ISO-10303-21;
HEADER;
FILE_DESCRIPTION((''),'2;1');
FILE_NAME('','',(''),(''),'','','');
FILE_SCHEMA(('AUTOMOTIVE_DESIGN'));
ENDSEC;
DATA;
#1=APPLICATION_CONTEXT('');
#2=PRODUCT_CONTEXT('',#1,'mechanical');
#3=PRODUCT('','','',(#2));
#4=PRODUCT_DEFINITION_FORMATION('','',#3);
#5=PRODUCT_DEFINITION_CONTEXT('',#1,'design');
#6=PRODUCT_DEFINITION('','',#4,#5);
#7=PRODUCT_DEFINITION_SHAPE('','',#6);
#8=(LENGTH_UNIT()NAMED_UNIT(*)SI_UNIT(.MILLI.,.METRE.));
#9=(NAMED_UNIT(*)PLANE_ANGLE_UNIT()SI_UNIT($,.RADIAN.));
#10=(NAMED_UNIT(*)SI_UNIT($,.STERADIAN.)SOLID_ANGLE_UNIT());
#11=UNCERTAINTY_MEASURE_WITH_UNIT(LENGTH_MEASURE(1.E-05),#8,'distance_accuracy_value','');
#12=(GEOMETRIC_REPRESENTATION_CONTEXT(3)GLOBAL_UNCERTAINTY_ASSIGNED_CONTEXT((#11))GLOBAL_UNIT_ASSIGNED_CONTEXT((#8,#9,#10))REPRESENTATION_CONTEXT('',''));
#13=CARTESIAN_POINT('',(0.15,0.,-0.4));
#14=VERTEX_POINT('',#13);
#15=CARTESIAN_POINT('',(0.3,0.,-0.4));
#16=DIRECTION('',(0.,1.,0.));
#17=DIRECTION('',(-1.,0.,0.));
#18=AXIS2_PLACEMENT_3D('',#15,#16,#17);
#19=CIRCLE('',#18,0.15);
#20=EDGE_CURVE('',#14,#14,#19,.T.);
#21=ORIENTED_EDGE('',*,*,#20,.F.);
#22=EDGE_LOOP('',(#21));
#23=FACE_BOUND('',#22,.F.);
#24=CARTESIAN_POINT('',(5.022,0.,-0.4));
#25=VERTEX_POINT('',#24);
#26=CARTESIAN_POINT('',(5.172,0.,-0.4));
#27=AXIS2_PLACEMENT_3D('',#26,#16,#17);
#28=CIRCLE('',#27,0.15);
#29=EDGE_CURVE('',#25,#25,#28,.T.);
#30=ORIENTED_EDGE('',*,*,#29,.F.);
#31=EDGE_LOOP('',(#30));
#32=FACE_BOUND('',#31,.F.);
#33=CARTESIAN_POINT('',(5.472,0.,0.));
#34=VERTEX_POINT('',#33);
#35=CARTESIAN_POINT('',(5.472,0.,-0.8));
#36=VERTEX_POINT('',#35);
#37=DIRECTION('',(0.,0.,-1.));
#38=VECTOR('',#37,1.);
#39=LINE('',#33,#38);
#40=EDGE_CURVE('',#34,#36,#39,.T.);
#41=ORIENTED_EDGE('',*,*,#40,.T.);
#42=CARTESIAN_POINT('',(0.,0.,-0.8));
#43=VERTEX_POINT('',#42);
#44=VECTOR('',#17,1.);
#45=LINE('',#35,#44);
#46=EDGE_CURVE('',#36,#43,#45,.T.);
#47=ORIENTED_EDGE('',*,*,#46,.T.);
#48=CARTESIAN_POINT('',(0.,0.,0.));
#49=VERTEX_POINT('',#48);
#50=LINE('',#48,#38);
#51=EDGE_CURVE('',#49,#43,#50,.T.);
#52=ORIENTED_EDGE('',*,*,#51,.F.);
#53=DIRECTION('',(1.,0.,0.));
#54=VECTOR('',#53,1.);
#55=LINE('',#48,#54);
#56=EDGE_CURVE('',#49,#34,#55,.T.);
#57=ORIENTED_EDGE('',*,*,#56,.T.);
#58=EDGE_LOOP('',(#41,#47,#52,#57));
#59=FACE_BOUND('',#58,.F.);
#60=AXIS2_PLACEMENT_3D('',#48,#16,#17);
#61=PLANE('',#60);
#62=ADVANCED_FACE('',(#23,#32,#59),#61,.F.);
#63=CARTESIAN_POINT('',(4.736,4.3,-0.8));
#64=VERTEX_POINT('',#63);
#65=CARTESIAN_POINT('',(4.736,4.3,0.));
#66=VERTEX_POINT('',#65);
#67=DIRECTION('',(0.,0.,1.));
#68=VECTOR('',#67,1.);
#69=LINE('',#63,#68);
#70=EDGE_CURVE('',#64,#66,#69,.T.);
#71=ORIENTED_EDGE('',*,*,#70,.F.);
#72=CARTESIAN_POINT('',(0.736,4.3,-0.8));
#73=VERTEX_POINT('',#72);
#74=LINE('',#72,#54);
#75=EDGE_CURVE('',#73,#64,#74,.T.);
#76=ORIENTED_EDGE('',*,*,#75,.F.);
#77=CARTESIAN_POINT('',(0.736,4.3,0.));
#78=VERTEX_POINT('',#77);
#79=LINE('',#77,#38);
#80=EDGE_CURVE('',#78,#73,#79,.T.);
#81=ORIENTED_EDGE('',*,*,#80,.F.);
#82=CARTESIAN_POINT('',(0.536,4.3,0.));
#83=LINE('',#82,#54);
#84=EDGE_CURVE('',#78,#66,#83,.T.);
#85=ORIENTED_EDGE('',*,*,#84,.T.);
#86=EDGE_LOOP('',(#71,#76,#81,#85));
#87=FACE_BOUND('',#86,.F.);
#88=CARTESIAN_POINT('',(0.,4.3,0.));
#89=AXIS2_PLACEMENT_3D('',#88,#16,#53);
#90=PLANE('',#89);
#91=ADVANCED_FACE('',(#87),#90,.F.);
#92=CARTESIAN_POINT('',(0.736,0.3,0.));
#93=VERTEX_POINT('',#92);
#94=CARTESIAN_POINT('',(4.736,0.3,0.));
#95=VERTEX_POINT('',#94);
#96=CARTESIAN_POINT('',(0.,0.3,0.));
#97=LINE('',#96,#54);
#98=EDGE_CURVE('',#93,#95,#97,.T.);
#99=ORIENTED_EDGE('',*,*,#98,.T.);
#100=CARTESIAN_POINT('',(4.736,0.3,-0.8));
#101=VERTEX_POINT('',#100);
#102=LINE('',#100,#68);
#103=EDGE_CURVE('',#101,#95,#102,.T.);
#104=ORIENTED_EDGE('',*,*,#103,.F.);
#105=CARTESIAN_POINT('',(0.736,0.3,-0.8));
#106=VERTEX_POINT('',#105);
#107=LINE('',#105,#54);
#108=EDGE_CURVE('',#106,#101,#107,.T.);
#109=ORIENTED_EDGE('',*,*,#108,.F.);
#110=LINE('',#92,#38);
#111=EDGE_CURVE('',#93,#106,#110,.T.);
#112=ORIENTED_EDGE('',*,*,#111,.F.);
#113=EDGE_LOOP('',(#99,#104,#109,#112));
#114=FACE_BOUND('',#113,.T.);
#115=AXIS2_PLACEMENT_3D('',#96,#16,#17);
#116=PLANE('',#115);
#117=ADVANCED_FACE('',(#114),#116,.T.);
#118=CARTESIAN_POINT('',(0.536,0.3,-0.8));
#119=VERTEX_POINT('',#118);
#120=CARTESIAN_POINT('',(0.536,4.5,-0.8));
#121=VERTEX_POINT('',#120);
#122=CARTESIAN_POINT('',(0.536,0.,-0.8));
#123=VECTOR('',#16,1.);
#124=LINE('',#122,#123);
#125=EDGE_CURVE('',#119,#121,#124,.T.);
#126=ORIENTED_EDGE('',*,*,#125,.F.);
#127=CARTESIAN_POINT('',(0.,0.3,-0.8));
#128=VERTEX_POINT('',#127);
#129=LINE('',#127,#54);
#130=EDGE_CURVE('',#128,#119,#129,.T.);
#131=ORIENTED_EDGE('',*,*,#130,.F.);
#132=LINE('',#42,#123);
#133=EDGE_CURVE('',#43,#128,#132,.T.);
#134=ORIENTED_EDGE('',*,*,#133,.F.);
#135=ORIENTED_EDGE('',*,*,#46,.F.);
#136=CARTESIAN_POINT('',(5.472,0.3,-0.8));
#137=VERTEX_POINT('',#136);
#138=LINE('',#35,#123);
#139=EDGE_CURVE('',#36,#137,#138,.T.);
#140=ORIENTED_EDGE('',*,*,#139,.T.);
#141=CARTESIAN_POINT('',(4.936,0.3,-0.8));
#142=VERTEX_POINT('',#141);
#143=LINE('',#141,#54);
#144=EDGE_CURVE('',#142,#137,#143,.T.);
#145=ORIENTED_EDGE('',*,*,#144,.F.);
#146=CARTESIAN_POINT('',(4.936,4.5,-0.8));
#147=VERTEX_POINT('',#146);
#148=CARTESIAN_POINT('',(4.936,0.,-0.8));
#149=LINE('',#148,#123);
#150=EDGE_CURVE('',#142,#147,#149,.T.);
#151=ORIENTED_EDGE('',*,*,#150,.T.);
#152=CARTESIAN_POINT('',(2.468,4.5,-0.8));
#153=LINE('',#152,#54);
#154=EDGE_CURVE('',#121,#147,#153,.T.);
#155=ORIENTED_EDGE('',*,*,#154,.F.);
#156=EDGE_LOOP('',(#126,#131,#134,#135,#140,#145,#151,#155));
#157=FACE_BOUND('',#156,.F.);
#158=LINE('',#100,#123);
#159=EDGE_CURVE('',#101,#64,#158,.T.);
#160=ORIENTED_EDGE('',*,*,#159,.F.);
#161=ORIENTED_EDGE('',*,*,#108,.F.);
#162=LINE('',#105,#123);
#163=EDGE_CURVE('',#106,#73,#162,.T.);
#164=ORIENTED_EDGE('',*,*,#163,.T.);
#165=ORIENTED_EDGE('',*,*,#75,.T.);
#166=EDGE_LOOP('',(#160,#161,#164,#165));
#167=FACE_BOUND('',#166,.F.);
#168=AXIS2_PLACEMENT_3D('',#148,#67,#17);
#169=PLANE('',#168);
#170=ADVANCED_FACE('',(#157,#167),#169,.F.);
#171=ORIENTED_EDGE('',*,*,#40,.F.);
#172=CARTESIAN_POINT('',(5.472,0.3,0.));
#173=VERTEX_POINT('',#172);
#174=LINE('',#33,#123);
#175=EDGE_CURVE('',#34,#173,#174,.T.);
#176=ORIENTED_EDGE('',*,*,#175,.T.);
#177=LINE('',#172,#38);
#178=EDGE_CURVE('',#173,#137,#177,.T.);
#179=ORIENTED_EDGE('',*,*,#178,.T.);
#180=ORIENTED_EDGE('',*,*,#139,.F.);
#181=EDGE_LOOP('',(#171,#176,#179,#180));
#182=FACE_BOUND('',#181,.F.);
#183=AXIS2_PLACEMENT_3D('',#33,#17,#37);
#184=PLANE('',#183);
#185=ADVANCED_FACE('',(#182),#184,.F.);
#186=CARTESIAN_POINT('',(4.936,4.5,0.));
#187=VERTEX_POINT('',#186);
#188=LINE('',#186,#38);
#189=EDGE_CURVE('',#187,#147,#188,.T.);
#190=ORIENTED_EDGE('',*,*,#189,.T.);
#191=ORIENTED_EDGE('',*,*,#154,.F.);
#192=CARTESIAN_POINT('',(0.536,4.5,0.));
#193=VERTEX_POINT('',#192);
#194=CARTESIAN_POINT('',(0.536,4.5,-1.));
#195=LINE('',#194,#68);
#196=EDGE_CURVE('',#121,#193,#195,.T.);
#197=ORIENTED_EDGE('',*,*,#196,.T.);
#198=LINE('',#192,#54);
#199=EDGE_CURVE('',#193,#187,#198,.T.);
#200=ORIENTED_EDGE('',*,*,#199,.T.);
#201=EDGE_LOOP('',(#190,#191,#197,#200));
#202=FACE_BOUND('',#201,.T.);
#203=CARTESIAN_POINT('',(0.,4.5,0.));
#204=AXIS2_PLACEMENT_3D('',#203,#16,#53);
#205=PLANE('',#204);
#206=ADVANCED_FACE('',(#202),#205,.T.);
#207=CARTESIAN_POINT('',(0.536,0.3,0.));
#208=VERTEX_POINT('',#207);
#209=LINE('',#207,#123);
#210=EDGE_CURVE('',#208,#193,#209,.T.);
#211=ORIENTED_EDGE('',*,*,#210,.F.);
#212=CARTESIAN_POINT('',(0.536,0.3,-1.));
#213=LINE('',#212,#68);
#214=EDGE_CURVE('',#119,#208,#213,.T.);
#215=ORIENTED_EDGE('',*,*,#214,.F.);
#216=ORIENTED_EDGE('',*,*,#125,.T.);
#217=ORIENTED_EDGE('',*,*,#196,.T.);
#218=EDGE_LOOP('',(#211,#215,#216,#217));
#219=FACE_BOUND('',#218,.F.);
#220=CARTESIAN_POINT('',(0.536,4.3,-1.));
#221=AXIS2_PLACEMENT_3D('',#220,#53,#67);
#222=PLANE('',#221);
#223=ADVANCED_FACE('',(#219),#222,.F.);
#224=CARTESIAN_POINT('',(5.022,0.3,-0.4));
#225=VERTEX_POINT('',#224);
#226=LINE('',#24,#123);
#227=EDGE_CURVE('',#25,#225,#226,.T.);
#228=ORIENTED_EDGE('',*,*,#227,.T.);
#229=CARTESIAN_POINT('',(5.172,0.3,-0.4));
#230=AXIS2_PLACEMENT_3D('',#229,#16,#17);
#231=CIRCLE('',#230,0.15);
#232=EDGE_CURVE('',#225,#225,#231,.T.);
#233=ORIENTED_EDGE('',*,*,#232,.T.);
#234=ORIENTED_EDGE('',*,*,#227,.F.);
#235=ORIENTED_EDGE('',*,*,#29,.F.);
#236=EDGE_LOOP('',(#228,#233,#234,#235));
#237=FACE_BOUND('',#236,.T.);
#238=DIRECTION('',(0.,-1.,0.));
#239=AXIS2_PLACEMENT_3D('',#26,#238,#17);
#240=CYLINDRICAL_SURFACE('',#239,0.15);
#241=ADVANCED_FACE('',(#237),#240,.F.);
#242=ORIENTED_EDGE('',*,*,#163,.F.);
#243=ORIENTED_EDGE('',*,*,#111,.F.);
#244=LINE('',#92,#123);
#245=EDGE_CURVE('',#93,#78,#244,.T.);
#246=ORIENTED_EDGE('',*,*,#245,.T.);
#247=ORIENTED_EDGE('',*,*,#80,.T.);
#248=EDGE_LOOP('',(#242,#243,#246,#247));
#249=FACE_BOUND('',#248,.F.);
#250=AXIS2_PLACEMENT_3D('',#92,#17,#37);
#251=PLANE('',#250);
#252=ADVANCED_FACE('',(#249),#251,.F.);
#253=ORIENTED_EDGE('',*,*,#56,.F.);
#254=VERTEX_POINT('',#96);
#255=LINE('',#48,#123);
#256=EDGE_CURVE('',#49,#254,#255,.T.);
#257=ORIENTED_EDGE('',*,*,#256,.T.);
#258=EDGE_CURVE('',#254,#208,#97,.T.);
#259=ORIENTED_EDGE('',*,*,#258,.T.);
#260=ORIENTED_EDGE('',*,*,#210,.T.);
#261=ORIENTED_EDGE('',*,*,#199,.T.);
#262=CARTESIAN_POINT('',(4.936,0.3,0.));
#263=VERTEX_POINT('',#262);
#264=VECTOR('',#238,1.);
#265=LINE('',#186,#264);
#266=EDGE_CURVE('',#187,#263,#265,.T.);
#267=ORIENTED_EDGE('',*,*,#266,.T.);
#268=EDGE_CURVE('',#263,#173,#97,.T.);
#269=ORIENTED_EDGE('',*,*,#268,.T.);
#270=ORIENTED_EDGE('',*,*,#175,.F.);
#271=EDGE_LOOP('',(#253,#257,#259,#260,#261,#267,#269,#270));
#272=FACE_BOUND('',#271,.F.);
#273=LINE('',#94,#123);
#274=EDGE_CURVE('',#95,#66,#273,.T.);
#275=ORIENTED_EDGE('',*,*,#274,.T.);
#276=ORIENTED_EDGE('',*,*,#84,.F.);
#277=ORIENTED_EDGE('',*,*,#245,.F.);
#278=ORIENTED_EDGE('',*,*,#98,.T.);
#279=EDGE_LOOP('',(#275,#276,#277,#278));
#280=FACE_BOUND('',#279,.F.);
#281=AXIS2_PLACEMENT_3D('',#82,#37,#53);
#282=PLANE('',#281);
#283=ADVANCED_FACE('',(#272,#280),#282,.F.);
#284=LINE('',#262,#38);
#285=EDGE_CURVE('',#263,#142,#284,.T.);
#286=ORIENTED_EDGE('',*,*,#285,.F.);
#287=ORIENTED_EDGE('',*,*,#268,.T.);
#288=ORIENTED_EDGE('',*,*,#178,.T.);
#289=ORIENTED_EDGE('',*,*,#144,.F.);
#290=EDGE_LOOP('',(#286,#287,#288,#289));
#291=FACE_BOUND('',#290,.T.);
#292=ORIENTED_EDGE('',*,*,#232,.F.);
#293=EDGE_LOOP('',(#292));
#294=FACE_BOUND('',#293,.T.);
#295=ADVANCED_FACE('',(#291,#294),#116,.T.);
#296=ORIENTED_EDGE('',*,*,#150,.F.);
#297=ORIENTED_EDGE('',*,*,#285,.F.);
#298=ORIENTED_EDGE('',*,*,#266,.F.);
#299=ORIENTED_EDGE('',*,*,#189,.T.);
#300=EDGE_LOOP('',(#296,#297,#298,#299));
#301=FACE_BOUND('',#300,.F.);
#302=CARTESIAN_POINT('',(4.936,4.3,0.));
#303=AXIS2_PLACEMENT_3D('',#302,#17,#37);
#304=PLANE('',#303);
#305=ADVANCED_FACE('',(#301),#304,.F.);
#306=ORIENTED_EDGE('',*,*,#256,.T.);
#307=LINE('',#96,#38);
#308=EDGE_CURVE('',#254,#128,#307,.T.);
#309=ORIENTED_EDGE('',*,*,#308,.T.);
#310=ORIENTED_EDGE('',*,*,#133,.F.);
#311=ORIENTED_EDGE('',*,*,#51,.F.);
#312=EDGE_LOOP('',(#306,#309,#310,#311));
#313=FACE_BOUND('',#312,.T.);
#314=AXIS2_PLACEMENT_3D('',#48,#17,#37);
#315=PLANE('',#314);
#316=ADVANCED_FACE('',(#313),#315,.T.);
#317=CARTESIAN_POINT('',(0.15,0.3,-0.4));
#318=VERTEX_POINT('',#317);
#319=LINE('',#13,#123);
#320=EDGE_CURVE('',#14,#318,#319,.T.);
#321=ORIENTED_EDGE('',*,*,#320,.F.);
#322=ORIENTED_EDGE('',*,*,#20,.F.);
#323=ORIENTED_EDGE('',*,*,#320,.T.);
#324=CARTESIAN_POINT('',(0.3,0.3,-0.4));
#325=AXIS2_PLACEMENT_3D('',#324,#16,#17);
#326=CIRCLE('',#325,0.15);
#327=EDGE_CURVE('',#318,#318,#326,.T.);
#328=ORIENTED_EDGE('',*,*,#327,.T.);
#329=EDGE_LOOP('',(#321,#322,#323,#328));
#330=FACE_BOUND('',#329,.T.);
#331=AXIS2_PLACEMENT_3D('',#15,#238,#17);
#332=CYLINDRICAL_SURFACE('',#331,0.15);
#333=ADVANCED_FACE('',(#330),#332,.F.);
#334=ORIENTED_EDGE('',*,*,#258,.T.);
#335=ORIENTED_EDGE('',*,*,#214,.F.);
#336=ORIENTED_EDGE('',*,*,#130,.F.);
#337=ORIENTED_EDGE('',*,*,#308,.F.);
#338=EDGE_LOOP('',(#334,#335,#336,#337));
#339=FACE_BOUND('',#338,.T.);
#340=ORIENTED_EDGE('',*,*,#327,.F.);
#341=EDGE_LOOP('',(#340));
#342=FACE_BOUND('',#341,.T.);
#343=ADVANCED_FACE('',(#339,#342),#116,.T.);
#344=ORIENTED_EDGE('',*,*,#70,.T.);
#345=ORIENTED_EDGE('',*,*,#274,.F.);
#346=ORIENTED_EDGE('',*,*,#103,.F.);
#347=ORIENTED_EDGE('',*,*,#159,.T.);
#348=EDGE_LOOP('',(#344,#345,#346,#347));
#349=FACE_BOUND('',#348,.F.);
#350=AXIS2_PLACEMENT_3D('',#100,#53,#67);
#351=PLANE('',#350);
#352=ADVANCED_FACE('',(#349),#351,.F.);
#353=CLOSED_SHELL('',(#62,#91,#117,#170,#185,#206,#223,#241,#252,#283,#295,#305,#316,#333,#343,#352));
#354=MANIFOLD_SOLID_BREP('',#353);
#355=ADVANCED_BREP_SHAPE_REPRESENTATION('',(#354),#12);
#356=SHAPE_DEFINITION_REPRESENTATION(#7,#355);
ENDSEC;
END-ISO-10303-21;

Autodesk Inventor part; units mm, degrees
ref_plane "YZ Plane" through (0, 0, 0) normal (1, 0, 0) x (0, 1, 0)
ref_plane "XZ Plane" through (0, 0, 0) normal (0, 1, 0) x (-1, 0, 0)
ref_plane "XY Plane" through (0, 0, 0) normal (0, 0, 1) x (1, 0, 0)
sketch "Boceto1" plane through (0, 0, 0) normal (0, 1, 0) x (-1, 0, 0)
  circle A0 centre (-5.172, -0.4) radius 0.15
  circle A1 centre (-0.3, -0.4) radius 0.15
  line L0 (-5.472, 0) -> (-5.472, -0.8)
  line L1 (0, 0) -> (0, -0.8)
  line L2 (0, 0) -> (-5.472, 0)
  line L3 (-4.736, -0.8) -> (-4.936, -0.8)
  line L4 (-4.736, 0) -> (-4.936, 0)
  line L5 (-4.936, -0.8) -> (-4.936, -1)
  line L6 (-4.936, -1) -> (-0.536, -1)
  line L7 (-0.536, -1) -> (-0.536, -0.8)
  line L8 (0, -0.8) -> (-0.536, -0.8)
  line L9 (-4.936, -0.8) -> (-5.472, -0.8)
  dimension "d1" = 1
extrude "Extrusión1" add sketch "Boceto1" along normal blind 0.3
sketch "Boceto2" plane through (0, 0.3, 0) normal (0, 1, 0) x (1, 0, 0)
  line L0 (4.936, 1) -> (0.536, 1) projected
  line L1 (0.536, 1) -> (0.536, 0)
  line L2 (0.536, 0) -> (0.736, 0)
  line L3 (0.736, 0) -> (0.736, 0.8)
  line L4 (0.736, 0.8) -> (4.736, 0.8)
  line L5 (4.736, 0.8) -> (4.736, 0)
  line L6 (4.736, 0) -> (4.936, 0)
  line L7 (4.936, 0) -> (4.936, 1)
  line L8 (0.536, 1) -> (0.536, 0.8) projected
  line L9 (4.936, 1) -> (0.536, 1)
  dimension "d5" = 0.2
  dimension "d6" = 4
extrude "Extrusión2" add sketch "Boceto2" along normal blind 4
sketch "Boceto3" plane through (0, 4.3, 0) normal (0, 1, 0) x (1, 0, 0)
  line L0 (0.536, 1) -> (0.536, 0) projected
  line L1 (4.936, 1) -> (0.536, 1) projected
  line L2 (0.536, 0) -> (4.936, 0)
  line L3 (4.936, 0) -> (4.936, 1)
  line L4 (4.936, 1) -> (0.536, 1)
  line L5 (0.536, 1) -> (0.536, 0)
  point P0 (0, 0)
extrude "Extrusión3" add sketch "Boceto3" along normal blind 0.2
sketch "Boceto5" plane through (0, 0, 0) normal (0, -1, 0) x (1, 0, 0)
  circle A0 centre (0.3, -0.4) radius 0.15 projected
  circle A1 centre (5.172, -0.4) radius 0.15 projected
  line L0 (5.472, 0) -> (5.472, -0.8) projected
  line L1 (0, 0) -> (5.472, 0) projected
  line L2 (0, -0.8) -> (0, 0) projected
  line L3 (0.536, -0.8) -> (0, -0.8) projected
  line L4 (0.536, -1) -> (0.536, -0.8) projected
  line L5 (4.936, -1) -> (0.536, -1) projected
  line L6 (4.936, -0.8) -> (4.936, -1) projected
  line L7 (5.472, -0.8) -> (4.936, -0.8) projected
  line L8 (4.936, -0.8) -> (0.536, -0.8)
  line L9 (0.536, -0.8) -> (0.536, -1)
  line L10 (0.536, -1) -> (4.936, -1)
  line L11 (4.936, -1) -> (4.936, -0.8)
extrude "Extrusión5" cut sketch "Boceto5" against normal blind 20 contours L6 L5 L4 L8
properties part number "soporteMatrizInferior"
